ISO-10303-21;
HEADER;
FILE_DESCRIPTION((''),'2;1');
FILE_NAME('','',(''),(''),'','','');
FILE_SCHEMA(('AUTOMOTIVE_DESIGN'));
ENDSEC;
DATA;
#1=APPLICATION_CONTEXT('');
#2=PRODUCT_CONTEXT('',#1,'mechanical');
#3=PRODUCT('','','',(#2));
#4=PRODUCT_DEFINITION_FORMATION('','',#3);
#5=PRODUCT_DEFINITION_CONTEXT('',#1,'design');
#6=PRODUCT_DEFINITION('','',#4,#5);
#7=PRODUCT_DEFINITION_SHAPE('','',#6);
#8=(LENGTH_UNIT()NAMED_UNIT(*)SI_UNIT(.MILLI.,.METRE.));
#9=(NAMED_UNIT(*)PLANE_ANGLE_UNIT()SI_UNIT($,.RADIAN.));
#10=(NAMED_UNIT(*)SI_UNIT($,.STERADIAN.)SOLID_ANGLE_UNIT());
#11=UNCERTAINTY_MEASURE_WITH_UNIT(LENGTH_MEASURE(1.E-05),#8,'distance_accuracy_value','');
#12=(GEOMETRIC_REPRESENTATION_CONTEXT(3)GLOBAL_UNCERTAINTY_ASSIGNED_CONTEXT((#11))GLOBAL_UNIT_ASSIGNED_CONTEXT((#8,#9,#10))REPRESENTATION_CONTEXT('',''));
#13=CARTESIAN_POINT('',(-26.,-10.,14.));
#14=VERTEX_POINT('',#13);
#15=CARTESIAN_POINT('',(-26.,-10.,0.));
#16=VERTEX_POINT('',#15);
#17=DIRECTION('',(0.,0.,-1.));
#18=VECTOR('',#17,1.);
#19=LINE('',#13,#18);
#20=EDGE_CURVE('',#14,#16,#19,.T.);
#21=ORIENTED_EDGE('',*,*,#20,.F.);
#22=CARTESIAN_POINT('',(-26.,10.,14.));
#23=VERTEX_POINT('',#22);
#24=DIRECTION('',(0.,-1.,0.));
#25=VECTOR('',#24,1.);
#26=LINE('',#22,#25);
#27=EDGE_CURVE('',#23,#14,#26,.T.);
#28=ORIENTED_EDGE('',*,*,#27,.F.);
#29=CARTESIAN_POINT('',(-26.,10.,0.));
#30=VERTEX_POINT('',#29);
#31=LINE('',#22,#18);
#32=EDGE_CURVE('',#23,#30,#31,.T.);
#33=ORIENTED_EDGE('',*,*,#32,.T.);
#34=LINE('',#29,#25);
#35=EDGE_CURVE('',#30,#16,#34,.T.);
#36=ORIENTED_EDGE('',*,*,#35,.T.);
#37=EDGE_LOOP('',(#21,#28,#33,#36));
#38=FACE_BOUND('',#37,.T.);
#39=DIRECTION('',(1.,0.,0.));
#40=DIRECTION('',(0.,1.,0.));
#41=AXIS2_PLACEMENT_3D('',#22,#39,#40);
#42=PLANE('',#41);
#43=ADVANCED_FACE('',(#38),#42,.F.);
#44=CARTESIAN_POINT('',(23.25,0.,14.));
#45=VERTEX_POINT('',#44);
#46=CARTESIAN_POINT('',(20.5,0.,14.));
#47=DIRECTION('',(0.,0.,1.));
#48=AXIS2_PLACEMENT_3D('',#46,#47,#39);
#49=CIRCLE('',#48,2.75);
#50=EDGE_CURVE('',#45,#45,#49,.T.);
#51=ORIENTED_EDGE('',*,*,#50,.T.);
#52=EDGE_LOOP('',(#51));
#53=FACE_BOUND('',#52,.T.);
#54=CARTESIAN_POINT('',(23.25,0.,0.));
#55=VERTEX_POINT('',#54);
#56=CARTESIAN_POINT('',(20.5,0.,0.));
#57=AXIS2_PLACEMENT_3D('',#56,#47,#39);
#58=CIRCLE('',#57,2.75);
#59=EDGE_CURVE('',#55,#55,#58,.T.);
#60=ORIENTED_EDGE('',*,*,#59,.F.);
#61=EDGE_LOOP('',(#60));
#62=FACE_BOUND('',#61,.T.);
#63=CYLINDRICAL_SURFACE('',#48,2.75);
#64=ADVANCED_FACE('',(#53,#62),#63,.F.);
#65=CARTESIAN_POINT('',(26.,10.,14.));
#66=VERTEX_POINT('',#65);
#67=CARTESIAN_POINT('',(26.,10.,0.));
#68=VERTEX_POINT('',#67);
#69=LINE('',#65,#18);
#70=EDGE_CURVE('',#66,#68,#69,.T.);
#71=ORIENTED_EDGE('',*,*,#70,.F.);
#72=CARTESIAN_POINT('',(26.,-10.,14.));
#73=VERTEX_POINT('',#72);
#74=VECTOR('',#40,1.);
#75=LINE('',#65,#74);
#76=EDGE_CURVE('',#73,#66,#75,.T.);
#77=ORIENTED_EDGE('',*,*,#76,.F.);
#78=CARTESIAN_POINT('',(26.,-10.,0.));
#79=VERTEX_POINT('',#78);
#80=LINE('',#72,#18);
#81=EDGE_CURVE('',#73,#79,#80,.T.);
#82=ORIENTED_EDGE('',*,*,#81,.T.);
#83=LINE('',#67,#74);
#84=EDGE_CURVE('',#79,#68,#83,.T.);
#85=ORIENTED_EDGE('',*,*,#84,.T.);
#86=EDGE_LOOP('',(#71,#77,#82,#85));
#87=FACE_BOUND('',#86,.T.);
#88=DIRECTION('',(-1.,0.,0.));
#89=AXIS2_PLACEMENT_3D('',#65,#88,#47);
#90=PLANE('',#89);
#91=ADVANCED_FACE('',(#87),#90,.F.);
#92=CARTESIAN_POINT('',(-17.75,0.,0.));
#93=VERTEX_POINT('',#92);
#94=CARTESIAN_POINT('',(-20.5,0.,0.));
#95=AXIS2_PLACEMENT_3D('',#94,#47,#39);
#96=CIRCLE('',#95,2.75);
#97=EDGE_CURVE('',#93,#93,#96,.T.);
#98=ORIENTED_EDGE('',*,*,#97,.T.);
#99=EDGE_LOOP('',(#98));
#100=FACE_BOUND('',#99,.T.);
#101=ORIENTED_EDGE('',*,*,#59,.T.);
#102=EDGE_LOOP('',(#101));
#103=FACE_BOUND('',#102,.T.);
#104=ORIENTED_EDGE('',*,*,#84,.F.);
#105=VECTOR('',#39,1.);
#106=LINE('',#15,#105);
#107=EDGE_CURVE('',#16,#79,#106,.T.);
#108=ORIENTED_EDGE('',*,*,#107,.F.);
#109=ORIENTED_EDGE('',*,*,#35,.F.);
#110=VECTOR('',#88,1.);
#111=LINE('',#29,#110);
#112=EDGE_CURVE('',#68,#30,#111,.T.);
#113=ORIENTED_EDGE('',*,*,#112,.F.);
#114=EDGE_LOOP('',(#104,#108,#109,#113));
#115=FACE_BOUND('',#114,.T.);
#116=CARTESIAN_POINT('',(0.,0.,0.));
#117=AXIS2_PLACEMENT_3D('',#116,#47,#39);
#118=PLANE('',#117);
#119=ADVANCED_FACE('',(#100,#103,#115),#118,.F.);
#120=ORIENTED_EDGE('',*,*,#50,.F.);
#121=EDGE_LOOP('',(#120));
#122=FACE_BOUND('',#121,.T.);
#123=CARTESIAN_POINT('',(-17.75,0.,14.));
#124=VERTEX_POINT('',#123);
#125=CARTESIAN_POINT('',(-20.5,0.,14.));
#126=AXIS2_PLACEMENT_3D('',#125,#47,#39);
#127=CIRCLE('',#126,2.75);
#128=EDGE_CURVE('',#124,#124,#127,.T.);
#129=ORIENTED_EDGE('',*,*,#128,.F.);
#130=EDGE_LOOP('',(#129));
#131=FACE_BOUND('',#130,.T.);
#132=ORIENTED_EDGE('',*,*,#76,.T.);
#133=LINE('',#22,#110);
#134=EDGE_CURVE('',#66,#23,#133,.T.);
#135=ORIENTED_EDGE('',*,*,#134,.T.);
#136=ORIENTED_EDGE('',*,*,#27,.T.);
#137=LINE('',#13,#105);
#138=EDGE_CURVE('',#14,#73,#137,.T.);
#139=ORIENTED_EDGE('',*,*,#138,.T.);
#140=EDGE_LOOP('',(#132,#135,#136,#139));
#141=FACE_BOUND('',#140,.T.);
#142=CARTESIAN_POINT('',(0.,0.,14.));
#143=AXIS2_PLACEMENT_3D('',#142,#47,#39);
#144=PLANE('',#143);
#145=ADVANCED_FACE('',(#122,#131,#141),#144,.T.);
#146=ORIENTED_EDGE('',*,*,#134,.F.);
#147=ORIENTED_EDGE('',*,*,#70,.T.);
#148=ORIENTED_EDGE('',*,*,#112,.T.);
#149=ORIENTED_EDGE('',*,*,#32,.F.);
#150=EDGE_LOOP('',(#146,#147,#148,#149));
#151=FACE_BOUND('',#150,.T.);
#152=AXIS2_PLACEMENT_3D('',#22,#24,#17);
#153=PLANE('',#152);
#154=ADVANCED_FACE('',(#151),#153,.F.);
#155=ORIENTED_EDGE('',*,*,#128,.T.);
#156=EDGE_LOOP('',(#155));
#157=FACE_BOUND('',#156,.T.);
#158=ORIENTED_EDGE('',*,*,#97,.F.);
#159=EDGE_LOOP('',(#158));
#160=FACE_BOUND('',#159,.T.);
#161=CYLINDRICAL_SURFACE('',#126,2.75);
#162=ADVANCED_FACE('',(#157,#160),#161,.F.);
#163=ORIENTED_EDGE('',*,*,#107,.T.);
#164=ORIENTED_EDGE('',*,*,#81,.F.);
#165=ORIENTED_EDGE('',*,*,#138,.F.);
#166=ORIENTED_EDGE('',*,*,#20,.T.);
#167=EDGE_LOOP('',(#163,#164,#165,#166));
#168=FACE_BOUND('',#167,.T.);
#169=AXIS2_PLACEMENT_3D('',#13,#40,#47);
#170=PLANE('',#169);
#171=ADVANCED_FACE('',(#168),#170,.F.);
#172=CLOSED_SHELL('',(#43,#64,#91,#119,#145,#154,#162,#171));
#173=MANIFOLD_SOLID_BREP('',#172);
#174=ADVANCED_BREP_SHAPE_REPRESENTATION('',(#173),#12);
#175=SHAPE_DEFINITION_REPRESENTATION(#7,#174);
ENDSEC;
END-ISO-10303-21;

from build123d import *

# Parameters (mm, degrees)
SKETCH_1_W         = 52
SKETCH_1_H         = 20
EXTRUDE_1_DEPTH    = 14
HOLE_WIZARD_M5_1_D = 5.5


with BuildPart() as part:
    # 스케치1 → 보스-돌출1 (new body)
    with BuildSketch(Plane.XY):
        Rectangle(SKETCH_1_W, SKETCH_1_H)
    extrude(amount=EXTRUDE_1_DEPTH)

    # M5 여유 구멍1 (through all)
    with Locations(Plane.XY.offset(14)):
        with Locations((-20.5, 0), (20.5, 0)):
            Hole(HOLE_WIZARD_M5_1_D / 2)


solid = part.part
